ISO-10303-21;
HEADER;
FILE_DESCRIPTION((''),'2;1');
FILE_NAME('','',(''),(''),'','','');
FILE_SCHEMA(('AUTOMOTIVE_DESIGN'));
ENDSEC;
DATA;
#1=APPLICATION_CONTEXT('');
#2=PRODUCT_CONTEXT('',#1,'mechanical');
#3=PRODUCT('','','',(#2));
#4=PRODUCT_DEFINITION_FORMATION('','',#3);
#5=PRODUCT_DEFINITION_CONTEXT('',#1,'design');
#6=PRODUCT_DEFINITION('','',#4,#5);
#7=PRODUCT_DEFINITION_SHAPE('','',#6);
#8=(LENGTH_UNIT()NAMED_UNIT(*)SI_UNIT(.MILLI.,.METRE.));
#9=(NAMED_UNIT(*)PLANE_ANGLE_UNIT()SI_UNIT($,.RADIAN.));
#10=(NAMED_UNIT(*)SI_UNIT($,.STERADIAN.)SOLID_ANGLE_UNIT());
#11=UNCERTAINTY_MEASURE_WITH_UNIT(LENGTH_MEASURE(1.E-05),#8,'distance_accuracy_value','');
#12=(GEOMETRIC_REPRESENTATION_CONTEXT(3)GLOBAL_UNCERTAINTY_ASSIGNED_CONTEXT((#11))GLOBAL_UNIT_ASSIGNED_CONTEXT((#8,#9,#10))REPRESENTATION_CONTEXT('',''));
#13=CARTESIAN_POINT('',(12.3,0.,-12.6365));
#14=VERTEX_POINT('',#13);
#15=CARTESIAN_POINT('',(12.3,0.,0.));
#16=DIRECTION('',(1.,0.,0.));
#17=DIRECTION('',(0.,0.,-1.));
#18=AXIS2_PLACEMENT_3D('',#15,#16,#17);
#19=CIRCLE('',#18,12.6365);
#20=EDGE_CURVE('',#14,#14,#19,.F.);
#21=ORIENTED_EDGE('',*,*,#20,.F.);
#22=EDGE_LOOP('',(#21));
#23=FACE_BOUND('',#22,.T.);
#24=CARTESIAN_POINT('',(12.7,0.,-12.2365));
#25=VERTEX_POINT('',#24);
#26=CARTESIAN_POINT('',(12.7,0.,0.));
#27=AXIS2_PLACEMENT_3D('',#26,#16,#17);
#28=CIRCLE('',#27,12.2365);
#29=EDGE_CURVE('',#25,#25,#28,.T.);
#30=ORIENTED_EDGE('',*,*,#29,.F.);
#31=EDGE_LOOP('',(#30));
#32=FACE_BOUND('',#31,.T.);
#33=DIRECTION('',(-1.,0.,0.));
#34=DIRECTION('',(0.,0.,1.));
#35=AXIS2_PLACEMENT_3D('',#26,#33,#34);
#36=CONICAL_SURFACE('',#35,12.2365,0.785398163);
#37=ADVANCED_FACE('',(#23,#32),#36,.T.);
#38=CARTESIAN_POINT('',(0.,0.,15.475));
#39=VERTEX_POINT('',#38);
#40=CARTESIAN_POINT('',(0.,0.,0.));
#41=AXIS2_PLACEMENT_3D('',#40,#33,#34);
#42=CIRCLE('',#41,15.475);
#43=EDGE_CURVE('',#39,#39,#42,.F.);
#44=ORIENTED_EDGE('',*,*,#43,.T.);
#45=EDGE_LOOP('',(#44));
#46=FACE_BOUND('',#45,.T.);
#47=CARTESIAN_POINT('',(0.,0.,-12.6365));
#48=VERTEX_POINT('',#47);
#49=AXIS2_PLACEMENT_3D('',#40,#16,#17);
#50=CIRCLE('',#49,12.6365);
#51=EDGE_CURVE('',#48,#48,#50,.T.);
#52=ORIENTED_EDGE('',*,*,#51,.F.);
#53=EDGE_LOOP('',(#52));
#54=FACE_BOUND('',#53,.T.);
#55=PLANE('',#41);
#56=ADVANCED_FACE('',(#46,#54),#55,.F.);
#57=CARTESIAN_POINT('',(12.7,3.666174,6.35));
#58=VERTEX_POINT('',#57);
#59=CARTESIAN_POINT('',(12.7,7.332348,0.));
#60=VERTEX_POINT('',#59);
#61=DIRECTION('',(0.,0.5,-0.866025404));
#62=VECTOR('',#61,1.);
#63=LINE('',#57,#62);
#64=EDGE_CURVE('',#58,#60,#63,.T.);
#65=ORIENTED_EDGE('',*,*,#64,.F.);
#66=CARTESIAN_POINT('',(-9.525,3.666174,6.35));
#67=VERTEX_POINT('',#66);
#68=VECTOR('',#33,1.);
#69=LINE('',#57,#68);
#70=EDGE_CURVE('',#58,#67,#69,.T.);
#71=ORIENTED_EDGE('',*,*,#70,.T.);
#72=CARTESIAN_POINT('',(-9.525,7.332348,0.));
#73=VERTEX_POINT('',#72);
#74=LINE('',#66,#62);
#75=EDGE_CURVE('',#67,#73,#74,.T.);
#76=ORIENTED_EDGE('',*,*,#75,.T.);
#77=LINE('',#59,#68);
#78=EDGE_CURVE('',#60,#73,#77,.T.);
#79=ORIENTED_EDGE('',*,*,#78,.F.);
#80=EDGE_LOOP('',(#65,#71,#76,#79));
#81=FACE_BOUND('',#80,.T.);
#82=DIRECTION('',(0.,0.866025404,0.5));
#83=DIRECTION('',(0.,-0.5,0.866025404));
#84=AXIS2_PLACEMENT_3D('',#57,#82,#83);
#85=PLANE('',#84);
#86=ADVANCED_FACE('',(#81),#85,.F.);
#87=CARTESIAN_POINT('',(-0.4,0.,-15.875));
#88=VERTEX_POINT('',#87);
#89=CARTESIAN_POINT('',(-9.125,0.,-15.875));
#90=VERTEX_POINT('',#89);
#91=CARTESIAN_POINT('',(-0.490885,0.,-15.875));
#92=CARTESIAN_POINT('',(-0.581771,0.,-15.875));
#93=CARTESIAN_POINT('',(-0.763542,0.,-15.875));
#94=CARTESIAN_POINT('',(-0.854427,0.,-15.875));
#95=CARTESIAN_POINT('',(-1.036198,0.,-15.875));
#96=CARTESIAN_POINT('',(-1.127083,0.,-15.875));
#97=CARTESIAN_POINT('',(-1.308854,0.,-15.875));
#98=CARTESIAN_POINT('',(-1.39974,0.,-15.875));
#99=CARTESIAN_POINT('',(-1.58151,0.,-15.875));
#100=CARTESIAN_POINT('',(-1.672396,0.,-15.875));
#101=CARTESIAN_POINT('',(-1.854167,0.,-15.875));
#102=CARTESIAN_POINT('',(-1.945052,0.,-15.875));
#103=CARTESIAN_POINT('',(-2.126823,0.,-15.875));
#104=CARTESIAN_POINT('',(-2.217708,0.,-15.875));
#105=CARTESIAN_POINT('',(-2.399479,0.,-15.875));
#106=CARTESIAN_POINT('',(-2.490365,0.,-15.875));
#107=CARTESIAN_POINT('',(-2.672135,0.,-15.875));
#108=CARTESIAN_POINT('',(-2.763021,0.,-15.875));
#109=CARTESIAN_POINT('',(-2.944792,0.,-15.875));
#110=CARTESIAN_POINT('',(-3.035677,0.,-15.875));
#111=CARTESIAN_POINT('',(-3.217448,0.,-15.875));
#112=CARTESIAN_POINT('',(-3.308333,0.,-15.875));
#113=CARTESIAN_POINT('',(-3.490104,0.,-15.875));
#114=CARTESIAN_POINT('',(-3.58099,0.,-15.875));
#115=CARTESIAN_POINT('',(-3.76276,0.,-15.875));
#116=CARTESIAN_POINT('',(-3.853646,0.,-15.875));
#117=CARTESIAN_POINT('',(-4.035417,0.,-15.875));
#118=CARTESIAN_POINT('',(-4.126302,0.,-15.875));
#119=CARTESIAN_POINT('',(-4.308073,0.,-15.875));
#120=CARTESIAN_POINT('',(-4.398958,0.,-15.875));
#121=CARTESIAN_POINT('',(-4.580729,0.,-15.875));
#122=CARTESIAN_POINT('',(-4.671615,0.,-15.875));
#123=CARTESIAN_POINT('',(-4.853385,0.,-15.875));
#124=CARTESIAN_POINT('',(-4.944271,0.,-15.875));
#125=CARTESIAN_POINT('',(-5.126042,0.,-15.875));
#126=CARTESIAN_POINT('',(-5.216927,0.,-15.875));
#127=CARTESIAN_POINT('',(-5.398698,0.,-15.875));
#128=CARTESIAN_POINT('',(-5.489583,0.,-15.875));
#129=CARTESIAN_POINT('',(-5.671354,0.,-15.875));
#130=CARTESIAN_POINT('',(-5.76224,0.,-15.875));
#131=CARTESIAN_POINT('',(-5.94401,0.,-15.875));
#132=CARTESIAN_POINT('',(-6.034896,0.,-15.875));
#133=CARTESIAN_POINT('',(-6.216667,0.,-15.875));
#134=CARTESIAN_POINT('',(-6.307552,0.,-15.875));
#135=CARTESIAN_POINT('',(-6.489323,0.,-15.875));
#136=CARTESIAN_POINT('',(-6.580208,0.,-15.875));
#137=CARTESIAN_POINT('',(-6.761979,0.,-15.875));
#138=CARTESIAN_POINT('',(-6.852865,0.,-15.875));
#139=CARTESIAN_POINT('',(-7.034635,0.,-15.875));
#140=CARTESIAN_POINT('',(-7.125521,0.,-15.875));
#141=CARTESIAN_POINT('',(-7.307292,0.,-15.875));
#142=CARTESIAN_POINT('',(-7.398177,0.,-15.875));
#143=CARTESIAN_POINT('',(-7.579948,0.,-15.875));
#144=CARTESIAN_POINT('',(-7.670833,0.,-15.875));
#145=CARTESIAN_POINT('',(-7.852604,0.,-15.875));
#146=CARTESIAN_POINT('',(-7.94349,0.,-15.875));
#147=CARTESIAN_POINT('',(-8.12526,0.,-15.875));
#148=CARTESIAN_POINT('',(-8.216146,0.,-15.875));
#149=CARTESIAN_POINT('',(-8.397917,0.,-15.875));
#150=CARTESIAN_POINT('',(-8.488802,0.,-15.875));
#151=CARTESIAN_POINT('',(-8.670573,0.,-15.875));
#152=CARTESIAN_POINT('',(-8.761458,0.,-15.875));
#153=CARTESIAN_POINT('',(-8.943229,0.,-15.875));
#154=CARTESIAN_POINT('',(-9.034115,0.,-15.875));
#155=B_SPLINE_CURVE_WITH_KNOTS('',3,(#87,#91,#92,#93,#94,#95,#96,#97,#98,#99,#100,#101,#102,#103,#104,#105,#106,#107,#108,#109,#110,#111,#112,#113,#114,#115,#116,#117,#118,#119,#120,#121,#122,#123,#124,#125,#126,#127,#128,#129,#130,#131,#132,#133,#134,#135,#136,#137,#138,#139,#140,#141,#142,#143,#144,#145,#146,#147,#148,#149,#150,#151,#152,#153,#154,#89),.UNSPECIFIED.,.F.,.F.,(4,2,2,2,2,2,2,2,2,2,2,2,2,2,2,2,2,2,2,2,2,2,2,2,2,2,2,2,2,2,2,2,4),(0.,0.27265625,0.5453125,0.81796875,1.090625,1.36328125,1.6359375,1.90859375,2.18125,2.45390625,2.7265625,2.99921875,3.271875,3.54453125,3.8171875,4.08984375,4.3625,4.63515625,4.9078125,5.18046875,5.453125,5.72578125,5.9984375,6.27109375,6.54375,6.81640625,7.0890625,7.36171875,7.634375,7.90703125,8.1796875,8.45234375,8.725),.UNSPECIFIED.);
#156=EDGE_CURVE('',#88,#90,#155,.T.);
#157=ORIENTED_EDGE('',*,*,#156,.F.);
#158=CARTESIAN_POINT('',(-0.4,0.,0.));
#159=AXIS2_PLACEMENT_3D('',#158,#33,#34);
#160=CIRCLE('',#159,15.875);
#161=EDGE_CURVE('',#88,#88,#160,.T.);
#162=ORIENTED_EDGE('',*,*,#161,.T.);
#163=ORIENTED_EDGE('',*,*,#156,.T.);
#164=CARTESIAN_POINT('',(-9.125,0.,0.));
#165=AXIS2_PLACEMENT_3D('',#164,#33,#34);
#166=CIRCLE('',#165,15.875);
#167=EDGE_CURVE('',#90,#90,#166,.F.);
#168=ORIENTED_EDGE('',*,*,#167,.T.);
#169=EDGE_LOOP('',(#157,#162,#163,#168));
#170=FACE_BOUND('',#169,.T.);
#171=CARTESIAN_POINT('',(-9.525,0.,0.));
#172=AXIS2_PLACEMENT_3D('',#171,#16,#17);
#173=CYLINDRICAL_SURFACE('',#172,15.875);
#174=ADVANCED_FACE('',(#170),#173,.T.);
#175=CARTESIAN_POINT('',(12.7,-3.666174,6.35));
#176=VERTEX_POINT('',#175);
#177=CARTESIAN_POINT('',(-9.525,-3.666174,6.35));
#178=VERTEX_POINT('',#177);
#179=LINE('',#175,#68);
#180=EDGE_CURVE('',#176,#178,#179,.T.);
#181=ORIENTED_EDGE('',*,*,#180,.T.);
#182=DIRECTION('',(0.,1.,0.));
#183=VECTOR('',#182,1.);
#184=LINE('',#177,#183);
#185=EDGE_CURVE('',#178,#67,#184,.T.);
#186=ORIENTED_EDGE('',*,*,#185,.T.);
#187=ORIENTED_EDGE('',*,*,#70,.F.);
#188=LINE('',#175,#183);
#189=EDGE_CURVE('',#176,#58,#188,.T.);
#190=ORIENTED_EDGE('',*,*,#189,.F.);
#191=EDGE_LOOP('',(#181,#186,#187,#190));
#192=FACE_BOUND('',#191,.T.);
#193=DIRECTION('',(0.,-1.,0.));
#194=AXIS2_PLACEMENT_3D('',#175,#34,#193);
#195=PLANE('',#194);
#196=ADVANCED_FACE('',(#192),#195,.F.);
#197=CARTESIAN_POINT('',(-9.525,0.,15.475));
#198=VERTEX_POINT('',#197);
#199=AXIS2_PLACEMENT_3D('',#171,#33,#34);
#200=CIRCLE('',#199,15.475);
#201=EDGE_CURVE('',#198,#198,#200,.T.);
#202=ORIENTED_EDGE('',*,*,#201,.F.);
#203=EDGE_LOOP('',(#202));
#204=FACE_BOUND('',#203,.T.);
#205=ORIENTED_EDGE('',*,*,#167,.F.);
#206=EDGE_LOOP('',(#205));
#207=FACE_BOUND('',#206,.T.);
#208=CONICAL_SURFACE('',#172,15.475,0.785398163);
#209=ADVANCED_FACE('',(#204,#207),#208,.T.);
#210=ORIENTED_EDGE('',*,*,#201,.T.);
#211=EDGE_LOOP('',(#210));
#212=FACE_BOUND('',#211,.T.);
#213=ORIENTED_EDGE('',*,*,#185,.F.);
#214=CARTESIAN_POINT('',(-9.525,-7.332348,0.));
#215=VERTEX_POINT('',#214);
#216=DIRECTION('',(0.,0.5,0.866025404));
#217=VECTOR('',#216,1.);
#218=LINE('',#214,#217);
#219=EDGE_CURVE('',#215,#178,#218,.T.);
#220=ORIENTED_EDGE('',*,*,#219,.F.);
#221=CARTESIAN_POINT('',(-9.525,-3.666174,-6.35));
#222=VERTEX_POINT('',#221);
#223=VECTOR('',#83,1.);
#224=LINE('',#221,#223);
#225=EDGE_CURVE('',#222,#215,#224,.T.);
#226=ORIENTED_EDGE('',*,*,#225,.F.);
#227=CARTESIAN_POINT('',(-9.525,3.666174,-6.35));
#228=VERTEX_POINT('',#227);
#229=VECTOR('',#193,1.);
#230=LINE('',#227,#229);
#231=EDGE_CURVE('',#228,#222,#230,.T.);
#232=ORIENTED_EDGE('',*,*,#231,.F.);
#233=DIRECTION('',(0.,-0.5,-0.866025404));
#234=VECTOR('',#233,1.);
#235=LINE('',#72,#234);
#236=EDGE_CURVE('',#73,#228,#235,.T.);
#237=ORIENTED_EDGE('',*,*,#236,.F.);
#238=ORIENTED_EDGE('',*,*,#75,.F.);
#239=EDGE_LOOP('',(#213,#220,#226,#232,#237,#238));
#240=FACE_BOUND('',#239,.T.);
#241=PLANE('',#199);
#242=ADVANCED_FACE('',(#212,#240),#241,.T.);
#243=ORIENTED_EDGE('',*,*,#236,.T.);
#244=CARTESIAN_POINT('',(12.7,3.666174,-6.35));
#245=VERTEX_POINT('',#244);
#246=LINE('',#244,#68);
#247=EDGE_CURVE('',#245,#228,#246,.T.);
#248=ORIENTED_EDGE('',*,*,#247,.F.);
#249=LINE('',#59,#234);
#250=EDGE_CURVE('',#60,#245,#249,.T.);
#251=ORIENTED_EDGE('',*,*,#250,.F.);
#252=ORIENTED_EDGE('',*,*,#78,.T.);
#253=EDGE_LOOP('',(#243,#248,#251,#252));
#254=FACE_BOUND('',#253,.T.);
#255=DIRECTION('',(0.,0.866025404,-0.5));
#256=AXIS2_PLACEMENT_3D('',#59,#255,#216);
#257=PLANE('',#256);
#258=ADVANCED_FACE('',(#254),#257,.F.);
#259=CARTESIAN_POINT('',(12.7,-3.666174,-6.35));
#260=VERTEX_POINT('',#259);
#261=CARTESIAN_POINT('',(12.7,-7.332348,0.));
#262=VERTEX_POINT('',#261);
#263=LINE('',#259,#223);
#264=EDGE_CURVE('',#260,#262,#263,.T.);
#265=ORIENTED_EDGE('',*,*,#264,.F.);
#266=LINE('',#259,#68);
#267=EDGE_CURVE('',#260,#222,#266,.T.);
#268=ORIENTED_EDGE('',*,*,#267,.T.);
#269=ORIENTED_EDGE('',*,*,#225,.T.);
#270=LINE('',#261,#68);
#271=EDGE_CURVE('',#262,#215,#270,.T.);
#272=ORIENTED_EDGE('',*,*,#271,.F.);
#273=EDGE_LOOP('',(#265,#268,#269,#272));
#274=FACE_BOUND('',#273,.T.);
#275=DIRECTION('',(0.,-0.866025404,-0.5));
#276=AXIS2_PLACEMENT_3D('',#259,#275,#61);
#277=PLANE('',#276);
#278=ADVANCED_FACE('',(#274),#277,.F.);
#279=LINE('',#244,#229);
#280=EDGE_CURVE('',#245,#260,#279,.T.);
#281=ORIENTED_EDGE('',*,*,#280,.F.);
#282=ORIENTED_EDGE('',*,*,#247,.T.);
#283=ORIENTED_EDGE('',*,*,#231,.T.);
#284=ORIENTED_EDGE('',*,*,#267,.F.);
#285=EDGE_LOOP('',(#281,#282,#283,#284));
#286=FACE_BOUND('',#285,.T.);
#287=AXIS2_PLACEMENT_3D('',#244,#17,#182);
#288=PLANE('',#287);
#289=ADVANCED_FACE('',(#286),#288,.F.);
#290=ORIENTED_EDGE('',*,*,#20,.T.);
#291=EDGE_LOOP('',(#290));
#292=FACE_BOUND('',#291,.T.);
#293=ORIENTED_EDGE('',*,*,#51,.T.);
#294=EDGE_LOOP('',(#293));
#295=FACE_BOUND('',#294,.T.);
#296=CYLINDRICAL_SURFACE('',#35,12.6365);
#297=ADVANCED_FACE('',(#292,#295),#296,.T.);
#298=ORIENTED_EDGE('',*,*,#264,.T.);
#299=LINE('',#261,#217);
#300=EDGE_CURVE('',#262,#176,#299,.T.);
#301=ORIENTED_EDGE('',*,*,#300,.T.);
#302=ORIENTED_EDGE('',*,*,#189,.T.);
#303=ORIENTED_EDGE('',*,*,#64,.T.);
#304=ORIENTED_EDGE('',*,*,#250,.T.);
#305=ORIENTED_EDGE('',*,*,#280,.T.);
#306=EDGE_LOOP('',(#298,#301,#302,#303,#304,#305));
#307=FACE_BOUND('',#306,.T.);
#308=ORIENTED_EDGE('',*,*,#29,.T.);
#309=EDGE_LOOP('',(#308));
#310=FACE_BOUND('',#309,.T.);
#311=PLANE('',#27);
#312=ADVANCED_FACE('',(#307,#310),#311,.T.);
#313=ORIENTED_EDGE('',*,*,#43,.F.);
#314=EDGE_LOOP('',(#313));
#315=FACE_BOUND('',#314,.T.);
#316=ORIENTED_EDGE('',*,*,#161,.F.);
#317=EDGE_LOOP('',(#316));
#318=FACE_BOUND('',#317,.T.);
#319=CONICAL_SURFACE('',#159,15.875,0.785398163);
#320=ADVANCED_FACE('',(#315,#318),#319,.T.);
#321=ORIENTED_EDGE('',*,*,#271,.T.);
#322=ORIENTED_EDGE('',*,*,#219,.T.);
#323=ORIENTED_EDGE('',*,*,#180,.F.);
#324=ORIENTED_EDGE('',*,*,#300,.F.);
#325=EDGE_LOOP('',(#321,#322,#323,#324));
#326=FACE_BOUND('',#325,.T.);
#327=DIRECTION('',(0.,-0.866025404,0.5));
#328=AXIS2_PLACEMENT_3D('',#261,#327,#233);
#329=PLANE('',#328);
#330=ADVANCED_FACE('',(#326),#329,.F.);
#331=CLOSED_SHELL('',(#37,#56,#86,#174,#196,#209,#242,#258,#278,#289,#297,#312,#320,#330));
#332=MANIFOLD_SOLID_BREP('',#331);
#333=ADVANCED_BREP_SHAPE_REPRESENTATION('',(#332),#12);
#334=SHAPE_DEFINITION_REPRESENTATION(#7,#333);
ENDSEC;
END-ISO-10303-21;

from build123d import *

# Parameters (mm, degrees)
SKETCH1_R           = 12.6365
BOSS_EXTRUDE1_DEPTH = 12.7
SKETCH2_R           = 15.875
BOSS_EXTRUDE2_DEPTH = 9.525
CHAMFER1_SIZE       = 0.4
CUT_EXTRUDE1_DEPTH  = 32.590851128


with BuildPart() as part:
    # Sketch1 → Boss-Extrude1 (new body)
    with BuildSketch(Plane(origin=(0, 0, 0), x_dir=(0, 0, -1), z_dir=(1, 0, 0))):
        Circle(SKETCH1_R)
    extrude(amount=BOSS_EXTRUDE1_DEPTH)

    # Sketch2 → Boss-Extrude2 (add)
    with BuildSketch(Plane.ZY):
        with Locations(Location((0, 0, 0), (0, 0, 180))):
            Circle(SKETCH2_R)
    extrude(amount=BOSS_EXTRUDE2_DEPTH)

    # Chamfer1
    chamfer1_edges = [part.edges().sort_by_distance(p)[0] for p in [
        (12.7, 0, 12.6365),
        (0, 0, 15.875),
        (-9.525, 0, 15.875),
    ]]
    chamfer(chamfer1_edges, length=CHAMFER1_SIZE)

    # Sketch4 → Cut-Extrude1 (cut, through all)
    with BuildSketch(Plane.ZY.offset(9.525)):
        Polygon((0, 7.332348419), (-6.35, 3.666174209), (-6.35, -3.666174209), (0, -7.332348419), (6.35, -3.666174209), (6.35, 3.666174209), align=None)
    extrude(amount=-CUT_EXTRUDE1_DEPTH, mode=Mode.SUBTRACT)


solid = part.part
